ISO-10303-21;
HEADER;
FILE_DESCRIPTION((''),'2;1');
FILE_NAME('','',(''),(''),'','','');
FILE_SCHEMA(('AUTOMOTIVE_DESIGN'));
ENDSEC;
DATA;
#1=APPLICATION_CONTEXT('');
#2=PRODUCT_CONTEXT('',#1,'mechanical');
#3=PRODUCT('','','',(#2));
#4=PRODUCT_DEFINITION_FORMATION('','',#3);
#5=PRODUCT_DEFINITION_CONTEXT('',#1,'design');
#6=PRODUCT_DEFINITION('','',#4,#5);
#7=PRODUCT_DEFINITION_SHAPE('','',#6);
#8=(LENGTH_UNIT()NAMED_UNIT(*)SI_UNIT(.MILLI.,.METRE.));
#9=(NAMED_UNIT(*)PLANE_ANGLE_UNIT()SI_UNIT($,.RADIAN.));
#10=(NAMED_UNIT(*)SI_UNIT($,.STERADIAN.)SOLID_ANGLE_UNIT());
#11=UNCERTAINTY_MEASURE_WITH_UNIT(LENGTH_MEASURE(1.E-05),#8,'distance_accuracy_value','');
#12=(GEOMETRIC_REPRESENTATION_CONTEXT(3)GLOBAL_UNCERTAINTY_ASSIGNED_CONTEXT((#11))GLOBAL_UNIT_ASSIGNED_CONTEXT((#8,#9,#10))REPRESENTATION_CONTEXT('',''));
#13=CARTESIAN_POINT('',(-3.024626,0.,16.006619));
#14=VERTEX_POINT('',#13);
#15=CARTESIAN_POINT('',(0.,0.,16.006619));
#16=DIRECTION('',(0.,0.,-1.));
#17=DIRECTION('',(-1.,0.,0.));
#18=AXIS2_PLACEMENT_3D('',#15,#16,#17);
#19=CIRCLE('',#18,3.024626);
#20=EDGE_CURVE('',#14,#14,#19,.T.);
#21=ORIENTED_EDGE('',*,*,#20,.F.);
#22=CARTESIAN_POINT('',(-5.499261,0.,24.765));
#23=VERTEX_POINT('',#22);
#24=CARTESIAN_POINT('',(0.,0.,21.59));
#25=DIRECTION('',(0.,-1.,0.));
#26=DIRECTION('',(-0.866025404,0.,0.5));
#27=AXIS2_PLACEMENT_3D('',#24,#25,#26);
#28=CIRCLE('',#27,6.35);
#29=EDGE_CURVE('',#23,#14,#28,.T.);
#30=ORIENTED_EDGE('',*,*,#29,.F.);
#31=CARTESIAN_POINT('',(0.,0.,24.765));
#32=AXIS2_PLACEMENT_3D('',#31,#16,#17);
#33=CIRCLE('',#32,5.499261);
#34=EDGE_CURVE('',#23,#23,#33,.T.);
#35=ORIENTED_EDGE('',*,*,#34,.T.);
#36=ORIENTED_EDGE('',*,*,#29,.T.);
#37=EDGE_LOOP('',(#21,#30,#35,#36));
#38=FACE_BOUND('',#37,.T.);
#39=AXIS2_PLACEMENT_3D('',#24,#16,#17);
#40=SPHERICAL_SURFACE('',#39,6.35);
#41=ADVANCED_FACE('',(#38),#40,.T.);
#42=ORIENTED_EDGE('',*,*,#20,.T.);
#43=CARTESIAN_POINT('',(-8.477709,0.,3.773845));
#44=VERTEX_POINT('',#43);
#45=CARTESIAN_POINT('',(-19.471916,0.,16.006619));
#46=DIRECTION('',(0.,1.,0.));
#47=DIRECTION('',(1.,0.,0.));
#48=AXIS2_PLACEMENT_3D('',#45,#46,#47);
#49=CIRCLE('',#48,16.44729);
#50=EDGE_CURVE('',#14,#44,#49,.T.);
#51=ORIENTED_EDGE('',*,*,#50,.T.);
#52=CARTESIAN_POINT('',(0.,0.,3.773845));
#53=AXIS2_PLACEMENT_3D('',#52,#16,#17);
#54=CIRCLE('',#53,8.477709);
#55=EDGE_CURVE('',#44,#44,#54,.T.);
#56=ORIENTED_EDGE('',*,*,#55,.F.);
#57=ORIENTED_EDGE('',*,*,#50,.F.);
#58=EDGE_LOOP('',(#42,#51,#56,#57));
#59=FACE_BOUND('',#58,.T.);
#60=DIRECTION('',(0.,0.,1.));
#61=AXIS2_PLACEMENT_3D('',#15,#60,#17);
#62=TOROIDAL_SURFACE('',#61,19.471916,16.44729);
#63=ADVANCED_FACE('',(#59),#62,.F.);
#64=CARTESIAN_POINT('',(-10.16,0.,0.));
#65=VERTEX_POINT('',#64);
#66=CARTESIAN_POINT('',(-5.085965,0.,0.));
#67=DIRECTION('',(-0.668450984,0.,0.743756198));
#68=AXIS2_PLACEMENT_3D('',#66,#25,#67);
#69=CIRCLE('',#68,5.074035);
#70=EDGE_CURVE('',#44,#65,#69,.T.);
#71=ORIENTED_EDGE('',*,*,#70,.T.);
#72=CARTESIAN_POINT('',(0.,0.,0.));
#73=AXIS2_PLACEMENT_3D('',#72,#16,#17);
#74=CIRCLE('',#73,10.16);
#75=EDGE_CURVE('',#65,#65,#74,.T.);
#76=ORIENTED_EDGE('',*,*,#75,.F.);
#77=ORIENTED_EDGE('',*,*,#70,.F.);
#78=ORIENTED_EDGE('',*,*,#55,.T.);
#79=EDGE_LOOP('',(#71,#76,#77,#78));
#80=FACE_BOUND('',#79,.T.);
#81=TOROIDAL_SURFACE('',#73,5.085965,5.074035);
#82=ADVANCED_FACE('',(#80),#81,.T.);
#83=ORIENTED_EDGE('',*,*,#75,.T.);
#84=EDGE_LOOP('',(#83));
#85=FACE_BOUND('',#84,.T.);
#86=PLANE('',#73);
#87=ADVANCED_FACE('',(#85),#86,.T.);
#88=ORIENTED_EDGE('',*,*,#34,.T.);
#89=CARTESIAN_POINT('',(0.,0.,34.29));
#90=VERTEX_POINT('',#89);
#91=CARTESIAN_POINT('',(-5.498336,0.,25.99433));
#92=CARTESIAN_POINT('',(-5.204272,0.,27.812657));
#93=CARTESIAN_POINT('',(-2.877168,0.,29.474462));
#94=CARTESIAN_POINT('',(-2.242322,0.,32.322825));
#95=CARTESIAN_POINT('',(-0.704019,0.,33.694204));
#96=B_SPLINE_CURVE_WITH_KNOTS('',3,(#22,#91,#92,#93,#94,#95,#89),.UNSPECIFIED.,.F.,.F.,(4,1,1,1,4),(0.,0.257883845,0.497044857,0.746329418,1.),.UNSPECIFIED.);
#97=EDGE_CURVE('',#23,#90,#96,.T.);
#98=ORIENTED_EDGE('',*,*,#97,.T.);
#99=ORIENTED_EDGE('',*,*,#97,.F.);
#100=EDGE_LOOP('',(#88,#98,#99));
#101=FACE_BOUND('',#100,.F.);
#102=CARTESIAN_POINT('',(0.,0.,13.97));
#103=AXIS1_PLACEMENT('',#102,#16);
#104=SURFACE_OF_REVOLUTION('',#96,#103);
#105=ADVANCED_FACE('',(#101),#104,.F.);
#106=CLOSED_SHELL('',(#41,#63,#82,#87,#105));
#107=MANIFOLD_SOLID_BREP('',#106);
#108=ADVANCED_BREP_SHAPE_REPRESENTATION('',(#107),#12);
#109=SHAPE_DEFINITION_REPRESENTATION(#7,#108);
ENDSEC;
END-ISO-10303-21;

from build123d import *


with BuildPart() as f1:
    # F0 (on Front) → F1 (revolve)
    with BuildSketch(Plane.XZ):
        with BuildLine():
            Line((0, 24.765), (0, 27.94))
            ThreePointArc((0, 27.94), (-3.175, 27.089261314), (-5.499261314, 24.765))
            Line((-5.499261314, 24.765), (0, 24.765))
        make_face()
        with BuildLine():
            ThreePointArc((-5.499261314, 24.765), (-3.175, 27.089261314), (0, 27.94))
            Line((0, 27.94), (0, 34.29))
            add(Edge.make_bspline(
                [(-5.499261314, 24.765), (-5.498336166, 25.9943295902), (-5.2042721485, 27.8126569478), (-2.8771680979, 29.4744620175), (-2.2423220338, 32.3228253844), (-0.7040188878, 33.6942036826), (0, 34.29)],
                knots=[0, 0, 0, 0, 0.2578838453, 0.4970448565, 0.7463294179, 1, 1, 1, 1], degree=3))
        make_face()
        with BuildLine():
            Line((0, 24.765), (-5.499261314, 24.765))
            ThreePointArc((-5.499261314, 24.765), (-6.1107667472, 19.8634341132), (-3.0246256584, 16.0066193371))
            ThreePointArc((-3.0246256584, 16.0066193371), (-1.5601334544, 15.4346378169), (0, 15.24))
            Line((0, 15.24), (0, 24.765))
        make_face()
        with BuildLine():
            ThreePointArc((0, 15.24), (-1.5601334544, 15.4346378169), (-3.0246256584, 16.0066193371))
            ThreePointArc((-3.0246256584, 16.0066193371), (-4.4496278878, 9.3100366382), (-8.4777086332, 3.7738451037))
            ThreePointArc((-8.4777086332, 3.7738451037), (-9.7203828221, 2.0659145136), (-10.16, 0))
            Line((-10.16, 0), (0, 0))
            Line((0, 0), (0, 15.24))
        make_face()
    revolve(axis=Axis((0, 0, 13.97), (0, 0, -1)))


solid = f1.part
